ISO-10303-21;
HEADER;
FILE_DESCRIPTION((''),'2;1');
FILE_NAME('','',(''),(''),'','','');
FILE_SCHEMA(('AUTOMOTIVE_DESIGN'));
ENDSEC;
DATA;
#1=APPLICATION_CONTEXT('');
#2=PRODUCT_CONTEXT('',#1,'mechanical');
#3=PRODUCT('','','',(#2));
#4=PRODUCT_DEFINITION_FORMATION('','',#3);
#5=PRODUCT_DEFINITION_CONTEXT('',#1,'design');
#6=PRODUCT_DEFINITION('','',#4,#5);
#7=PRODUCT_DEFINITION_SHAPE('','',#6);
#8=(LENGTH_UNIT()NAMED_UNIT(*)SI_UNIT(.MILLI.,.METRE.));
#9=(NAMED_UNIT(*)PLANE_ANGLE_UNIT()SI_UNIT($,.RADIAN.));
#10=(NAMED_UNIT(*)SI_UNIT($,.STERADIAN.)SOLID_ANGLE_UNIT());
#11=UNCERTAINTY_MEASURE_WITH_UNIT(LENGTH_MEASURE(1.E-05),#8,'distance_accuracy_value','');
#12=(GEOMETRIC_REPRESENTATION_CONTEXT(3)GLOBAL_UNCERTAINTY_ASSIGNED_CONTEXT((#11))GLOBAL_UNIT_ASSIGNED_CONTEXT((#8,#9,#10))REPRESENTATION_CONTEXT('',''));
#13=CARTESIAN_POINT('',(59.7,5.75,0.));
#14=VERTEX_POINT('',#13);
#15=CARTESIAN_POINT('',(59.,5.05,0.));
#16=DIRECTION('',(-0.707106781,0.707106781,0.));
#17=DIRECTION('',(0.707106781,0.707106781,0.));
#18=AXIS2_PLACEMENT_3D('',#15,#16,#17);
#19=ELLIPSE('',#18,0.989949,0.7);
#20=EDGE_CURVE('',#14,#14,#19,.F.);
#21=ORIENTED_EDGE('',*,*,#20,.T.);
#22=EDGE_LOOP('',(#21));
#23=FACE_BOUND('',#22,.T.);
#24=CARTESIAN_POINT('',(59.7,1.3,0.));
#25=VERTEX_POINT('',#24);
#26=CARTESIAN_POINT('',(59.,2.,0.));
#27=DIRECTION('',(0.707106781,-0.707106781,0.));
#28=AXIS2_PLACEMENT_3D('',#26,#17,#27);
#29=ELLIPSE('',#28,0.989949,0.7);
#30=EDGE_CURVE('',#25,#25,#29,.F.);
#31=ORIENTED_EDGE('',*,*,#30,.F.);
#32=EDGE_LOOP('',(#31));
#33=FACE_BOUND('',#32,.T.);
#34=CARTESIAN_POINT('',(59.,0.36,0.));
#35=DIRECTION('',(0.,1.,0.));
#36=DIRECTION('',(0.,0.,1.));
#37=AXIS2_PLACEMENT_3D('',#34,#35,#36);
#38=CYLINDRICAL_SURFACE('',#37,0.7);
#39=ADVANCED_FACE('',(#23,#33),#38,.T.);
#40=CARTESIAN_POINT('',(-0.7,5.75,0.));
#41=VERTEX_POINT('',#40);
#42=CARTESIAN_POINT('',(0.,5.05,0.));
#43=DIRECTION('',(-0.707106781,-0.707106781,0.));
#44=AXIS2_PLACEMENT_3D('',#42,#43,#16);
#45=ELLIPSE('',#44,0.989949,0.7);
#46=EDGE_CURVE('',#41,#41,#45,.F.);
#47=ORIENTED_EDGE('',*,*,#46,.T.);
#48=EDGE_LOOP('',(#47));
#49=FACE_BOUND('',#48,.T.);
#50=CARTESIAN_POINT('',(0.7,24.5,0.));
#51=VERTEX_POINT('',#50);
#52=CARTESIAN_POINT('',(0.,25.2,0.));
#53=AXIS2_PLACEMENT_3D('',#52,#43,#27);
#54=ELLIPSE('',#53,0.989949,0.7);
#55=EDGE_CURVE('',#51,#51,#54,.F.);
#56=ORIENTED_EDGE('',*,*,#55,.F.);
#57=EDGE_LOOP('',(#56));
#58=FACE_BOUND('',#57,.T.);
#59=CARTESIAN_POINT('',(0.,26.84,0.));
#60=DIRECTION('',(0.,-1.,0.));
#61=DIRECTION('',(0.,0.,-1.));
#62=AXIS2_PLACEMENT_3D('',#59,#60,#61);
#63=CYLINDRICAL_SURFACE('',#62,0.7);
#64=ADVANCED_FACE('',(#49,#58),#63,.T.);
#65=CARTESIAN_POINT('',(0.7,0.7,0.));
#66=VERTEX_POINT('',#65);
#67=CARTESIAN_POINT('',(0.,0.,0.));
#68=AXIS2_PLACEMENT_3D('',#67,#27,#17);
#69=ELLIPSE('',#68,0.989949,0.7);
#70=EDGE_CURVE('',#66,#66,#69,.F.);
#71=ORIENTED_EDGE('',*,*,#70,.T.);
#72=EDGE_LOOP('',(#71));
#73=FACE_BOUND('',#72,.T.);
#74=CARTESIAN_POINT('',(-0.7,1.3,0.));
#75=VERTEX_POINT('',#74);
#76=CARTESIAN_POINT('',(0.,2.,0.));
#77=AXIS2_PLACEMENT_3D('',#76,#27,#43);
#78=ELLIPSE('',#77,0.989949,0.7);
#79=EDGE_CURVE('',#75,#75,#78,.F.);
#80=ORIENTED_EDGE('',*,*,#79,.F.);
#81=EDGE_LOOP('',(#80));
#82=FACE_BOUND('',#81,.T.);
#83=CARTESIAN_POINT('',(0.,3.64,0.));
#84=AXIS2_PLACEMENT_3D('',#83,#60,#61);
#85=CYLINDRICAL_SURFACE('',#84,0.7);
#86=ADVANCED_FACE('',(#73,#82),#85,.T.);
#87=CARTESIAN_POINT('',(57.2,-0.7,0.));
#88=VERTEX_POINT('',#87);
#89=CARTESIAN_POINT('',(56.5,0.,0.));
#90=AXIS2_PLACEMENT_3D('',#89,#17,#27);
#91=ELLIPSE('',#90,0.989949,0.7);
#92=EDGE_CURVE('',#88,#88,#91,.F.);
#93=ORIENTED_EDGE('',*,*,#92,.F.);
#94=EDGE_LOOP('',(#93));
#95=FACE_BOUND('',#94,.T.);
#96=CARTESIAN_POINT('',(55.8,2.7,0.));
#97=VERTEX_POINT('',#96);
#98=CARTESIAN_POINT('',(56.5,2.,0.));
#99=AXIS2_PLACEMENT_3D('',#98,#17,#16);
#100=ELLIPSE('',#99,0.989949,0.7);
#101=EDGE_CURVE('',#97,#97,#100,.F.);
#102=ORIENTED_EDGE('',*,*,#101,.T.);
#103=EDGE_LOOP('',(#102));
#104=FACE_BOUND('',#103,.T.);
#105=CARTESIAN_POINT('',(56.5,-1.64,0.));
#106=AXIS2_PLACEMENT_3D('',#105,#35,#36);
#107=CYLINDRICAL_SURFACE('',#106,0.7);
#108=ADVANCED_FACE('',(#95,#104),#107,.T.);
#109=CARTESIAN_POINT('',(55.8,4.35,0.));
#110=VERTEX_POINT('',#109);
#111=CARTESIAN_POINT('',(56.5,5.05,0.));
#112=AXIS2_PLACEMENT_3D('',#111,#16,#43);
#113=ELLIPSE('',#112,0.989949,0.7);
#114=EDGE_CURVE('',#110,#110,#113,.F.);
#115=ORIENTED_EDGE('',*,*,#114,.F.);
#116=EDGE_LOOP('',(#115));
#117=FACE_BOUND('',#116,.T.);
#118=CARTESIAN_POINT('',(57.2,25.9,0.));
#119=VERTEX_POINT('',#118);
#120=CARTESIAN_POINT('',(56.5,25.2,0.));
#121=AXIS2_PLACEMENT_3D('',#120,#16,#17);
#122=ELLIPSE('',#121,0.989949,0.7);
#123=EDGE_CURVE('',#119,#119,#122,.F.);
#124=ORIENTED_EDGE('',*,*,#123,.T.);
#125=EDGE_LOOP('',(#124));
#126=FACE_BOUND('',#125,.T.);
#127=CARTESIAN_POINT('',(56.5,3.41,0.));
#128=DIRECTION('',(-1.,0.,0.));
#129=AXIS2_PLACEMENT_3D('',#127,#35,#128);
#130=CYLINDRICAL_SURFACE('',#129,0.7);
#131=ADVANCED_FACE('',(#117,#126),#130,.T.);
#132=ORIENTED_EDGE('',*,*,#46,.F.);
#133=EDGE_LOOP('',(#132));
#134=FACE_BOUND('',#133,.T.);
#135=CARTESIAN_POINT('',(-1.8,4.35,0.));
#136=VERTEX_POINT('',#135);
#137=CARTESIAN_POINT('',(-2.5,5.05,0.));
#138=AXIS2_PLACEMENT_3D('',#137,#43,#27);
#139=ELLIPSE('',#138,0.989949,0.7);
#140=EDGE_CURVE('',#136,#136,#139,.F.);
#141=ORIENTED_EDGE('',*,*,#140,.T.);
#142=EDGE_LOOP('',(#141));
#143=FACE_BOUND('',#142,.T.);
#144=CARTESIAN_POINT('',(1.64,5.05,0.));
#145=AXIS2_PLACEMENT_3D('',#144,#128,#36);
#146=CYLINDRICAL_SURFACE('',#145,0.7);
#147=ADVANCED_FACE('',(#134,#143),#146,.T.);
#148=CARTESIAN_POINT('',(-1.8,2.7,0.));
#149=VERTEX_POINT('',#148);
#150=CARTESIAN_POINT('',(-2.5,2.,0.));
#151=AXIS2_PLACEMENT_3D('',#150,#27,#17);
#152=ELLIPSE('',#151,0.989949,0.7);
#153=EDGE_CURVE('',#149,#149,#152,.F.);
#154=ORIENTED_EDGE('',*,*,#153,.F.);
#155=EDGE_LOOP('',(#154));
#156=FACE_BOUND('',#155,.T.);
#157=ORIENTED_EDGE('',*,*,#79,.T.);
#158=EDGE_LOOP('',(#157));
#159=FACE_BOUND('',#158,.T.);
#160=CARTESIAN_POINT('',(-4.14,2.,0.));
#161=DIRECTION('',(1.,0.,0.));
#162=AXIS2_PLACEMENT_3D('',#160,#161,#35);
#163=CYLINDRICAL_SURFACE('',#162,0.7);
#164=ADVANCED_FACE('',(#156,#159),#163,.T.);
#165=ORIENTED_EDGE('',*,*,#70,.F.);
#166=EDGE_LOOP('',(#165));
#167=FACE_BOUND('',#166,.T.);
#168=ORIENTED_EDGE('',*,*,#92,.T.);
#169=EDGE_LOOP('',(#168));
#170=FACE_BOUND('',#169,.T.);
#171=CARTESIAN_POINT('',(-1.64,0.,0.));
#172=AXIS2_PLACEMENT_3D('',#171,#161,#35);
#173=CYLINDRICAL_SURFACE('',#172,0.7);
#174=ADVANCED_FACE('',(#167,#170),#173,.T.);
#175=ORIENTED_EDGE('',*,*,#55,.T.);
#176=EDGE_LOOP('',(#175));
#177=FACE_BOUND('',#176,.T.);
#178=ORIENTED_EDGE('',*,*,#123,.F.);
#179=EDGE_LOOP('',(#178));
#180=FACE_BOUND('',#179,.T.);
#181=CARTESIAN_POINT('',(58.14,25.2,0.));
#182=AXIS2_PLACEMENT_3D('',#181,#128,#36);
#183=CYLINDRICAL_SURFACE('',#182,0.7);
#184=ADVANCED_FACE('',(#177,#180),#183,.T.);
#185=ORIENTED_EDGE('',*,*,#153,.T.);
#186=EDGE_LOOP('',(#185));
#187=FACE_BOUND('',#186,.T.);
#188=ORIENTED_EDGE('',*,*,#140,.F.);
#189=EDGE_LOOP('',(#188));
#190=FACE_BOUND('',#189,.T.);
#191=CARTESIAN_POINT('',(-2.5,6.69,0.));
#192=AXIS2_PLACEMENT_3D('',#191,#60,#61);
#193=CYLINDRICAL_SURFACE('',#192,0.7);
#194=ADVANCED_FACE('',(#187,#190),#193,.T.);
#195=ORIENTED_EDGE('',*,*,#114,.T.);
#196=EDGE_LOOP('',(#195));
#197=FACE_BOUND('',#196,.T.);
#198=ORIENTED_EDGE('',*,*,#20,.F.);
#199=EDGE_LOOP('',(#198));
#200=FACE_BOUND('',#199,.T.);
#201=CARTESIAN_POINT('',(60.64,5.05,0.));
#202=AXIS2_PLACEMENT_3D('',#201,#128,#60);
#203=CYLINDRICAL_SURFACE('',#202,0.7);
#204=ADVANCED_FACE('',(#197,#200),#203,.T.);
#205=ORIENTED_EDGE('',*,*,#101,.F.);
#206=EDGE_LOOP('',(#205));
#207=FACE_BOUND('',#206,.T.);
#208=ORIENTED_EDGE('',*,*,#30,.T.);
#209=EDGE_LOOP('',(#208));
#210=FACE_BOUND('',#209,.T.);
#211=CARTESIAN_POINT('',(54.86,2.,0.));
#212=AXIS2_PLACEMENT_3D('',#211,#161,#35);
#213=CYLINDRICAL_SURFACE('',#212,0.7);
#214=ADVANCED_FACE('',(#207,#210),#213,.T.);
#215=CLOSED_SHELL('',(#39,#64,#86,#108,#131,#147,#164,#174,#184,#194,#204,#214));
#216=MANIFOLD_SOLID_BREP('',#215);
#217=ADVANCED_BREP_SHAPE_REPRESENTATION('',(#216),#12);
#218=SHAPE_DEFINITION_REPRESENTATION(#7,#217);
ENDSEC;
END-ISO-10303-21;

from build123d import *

# Parameters (mm, degrees)
SKETCH2_R = 0.7


with BuildPart() as part:
    # Sweep1: sweep along a path in Sketch1
    with BuildLine(Plane.XY) as sweep1_path:
        Line((0, 25.2), (56.5, 25.2))
        Line((56.5, 25.2), (56.5, 5.05))
        Line((56.5, 5.05), (59, 5.05))
        Line((59, 5.05), (59, 2))
        Line((59, 2), (56.5, 2))
        Line((56.5, 2), (56.5, 0))
        Line((56.5, 0), (0, 0))
        Line((0, 0), (0, 2))
        Line((0, 2), (-2.5, 2))
        Line((-2.5, 2), (-2.5, 5.05))
        Line((-2.5, 5.05), (0, 5.05))
        Line((0, 5.05), (0, 25.2))
    # Sketch2 → Sweep1 (sweep)
    with BuildSketch(Plane(origin=(0, 0, 0), x_dir=(0, 0, -1), z_dir=(1, 0, 0))):
        Circle(SKETCH2_R)
    sweep(path=sweep1_path.line, transition=Transition.RIGHT)


solid = part.part
